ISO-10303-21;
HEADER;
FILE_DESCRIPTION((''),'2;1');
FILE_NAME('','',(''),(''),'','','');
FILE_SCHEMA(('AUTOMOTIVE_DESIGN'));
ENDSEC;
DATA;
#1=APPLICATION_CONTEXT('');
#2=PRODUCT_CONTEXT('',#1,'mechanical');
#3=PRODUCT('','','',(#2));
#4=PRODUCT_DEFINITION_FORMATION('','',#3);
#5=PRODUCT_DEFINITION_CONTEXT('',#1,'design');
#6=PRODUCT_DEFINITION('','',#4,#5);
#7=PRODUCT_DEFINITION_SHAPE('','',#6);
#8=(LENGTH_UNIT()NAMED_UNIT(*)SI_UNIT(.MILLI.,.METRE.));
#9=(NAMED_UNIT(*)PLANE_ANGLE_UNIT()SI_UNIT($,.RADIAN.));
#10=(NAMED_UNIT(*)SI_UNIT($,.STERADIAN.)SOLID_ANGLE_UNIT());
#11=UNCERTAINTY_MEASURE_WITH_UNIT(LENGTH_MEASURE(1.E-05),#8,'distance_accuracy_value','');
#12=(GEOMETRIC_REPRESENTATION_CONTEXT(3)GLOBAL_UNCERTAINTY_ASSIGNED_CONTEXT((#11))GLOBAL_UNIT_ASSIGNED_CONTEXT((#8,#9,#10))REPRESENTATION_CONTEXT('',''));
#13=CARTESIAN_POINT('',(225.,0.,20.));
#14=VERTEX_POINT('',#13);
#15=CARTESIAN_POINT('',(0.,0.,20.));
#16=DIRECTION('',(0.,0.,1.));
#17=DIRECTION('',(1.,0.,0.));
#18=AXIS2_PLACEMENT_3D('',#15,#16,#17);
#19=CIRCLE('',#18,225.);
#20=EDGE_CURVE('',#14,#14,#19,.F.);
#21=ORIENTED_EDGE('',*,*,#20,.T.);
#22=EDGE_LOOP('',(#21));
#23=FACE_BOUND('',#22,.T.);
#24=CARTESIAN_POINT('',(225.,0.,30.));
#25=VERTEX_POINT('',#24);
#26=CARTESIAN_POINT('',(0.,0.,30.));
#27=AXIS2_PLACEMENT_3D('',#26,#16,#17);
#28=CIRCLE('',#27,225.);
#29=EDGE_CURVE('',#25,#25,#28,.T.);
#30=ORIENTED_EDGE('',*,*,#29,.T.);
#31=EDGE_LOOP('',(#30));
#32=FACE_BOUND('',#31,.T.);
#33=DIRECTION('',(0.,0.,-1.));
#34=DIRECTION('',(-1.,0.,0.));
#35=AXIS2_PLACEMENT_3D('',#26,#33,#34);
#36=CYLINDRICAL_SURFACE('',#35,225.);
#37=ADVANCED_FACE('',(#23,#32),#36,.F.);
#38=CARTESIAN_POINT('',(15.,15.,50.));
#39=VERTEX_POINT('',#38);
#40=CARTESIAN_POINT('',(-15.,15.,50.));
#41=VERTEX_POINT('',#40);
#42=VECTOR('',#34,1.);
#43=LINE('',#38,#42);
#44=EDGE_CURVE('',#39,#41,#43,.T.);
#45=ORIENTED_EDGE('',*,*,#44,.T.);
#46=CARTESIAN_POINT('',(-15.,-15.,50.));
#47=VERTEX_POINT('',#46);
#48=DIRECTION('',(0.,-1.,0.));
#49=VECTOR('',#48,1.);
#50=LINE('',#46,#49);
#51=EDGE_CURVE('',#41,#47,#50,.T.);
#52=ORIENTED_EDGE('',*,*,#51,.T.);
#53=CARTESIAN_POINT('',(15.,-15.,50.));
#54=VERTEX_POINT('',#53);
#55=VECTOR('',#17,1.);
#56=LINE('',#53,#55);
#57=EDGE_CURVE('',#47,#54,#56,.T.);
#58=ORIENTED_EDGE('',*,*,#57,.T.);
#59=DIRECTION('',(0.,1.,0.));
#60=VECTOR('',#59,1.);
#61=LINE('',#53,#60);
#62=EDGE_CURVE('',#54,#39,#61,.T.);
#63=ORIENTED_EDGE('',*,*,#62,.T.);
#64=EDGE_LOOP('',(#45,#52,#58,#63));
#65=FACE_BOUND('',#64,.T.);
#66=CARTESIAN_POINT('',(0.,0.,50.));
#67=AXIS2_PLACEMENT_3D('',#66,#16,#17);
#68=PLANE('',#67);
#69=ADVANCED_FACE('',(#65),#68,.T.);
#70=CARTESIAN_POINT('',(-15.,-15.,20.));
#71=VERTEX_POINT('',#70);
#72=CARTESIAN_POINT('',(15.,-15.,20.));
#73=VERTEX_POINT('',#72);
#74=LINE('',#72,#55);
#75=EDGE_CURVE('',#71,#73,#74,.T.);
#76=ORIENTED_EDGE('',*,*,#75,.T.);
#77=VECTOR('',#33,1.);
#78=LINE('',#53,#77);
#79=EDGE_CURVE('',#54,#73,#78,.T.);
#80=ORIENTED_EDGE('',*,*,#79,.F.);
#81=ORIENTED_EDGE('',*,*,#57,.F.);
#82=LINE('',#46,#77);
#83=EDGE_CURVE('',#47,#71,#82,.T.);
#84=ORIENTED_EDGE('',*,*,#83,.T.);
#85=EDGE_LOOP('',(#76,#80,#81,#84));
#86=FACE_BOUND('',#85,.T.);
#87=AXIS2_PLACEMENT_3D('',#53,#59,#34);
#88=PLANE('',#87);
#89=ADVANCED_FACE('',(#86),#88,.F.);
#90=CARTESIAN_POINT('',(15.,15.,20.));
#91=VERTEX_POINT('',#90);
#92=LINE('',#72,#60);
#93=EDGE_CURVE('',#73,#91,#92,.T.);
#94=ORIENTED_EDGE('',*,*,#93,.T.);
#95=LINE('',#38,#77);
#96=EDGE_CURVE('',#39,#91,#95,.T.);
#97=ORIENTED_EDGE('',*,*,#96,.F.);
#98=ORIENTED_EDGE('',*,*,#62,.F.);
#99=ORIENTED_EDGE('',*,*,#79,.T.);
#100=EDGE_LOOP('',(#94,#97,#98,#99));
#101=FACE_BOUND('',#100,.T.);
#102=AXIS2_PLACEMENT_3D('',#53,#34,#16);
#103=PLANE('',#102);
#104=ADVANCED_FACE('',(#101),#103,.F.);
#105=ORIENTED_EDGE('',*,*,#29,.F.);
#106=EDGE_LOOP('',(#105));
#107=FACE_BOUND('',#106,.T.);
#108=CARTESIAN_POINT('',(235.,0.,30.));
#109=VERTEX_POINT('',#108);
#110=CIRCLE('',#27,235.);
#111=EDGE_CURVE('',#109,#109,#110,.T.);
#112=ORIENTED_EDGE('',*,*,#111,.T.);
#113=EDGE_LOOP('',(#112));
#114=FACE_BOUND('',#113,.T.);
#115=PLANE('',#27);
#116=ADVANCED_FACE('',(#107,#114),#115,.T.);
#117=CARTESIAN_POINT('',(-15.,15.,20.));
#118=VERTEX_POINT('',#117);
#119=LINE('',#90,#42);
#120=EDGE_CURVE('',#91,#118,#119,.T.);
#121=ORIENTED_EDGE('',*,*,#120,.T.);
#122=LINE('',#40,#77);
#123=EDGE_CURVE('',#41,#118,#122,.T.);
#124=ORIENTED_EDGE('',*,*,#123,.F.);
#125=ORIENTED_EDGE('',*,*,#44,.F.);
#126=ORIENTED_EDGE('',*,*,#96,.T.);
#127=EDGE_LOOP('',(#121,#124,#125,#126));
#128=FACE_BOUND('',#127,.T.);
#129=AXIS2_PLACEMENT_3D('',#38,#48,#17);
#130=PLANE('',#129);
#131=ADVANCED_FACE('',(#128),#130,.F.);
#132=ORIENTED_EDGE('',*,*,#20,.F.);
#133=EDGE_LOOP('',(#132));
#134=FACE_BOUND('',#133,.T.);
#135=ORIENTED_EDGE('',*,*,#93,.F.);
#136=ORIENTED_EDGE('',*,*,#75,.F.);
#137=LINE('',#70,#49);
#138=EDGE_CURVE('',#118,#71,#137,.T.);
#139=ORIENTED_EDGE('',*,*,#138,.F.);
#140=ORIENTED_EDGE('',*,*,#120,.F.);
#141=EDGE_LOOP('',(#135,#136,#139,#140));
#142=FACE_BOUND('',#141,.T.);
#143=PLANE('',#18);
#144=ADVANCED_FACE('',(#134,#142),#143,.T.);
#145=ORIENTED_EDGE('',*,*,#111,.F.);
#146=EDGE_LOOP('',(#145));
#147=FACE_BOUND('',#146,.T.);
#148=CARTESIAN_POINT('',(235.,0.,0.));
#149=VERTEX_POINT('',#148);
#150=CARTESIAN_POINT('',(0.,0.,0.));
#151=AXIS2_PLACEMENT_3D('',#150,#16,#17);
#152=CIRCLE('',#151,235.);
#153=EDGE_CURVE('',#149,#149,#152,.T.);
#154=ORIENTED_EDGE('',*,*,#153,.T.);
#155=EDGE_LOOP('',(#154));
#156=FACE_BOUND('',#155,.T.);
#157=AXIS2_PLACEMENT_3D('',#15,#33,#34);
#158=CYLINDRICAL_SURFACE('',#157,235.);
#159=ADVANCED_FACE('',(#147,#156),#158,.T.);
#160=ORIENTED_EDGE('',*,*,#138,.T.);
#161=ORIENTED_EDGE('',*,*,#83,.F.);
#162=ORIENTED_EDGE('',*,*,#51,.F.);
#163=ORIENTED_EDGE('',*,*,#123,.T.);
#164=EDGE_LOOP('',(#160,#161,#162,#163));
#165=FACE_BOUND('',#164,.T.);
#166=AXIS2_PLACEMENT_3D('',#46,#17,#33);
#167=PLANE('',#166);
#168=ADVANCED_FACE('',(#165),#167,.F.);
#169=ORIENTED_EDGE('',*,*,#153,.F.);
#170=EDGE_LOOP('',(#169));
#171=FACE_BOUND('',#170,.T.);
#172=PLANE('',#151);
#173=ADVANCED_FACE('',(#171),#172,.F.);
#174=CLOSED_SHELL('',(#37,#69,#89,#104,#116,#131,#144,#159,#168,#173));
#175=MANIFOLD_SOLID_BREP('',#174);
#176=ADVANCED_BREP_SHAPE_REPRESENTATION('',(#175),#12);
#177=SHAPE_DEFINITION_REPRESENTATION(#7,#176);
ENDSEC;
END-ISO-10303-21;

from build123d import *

# Parameters (mm, degrees)
SCHIZZO1_R                   = 235
ESTRUSIONE_ESTRUSIONE1_DEPTH = 20
SCHIZZO2_R                   = 235
SCHIZZO2_R_2                 = 225
ESTRUSIONE_ESTRUSIONE2_DEPTH = 10
SCHIZZO3_W                   = 30
SCHIZZO3_H                   = 30
ESTRUSIONE_ESTRUSIONE3_DEPTH = 30


with BuildPart() as part:
    # Schizzo1 → Estrusione-Estrusione1 (new body)
    with BuildSketch(Plane.XY):
        Circle(SCHIZZO1_R)
    extrude(amount=ESTRUSIONE_ESTRUSIONE1_DEPTH)

    # Schizzo2 → Estrusione-Estrusione2 (add)
    with BuildSketch(Plane.XY.offset(20)):
        Circle(SCHIZZO2_R)
        Circle(SCHIZZO2_R_2, mode=Mode.SUBTRACT)
    extrude(amount=ESTRUSIONE_ESTRUSIONE2_DEPTH)

    # Schizzo3 → Estrusione-Estrusione3 (add)
    with BuildSketch(Plane.XY.offset(20)):
        Rectangle(SCHIZZO3_W, SCHIZZO3_H)
    extrude(amount=ESTRUSIONE_ESTRUSIONE3_DEPTH)


solid = part.part
